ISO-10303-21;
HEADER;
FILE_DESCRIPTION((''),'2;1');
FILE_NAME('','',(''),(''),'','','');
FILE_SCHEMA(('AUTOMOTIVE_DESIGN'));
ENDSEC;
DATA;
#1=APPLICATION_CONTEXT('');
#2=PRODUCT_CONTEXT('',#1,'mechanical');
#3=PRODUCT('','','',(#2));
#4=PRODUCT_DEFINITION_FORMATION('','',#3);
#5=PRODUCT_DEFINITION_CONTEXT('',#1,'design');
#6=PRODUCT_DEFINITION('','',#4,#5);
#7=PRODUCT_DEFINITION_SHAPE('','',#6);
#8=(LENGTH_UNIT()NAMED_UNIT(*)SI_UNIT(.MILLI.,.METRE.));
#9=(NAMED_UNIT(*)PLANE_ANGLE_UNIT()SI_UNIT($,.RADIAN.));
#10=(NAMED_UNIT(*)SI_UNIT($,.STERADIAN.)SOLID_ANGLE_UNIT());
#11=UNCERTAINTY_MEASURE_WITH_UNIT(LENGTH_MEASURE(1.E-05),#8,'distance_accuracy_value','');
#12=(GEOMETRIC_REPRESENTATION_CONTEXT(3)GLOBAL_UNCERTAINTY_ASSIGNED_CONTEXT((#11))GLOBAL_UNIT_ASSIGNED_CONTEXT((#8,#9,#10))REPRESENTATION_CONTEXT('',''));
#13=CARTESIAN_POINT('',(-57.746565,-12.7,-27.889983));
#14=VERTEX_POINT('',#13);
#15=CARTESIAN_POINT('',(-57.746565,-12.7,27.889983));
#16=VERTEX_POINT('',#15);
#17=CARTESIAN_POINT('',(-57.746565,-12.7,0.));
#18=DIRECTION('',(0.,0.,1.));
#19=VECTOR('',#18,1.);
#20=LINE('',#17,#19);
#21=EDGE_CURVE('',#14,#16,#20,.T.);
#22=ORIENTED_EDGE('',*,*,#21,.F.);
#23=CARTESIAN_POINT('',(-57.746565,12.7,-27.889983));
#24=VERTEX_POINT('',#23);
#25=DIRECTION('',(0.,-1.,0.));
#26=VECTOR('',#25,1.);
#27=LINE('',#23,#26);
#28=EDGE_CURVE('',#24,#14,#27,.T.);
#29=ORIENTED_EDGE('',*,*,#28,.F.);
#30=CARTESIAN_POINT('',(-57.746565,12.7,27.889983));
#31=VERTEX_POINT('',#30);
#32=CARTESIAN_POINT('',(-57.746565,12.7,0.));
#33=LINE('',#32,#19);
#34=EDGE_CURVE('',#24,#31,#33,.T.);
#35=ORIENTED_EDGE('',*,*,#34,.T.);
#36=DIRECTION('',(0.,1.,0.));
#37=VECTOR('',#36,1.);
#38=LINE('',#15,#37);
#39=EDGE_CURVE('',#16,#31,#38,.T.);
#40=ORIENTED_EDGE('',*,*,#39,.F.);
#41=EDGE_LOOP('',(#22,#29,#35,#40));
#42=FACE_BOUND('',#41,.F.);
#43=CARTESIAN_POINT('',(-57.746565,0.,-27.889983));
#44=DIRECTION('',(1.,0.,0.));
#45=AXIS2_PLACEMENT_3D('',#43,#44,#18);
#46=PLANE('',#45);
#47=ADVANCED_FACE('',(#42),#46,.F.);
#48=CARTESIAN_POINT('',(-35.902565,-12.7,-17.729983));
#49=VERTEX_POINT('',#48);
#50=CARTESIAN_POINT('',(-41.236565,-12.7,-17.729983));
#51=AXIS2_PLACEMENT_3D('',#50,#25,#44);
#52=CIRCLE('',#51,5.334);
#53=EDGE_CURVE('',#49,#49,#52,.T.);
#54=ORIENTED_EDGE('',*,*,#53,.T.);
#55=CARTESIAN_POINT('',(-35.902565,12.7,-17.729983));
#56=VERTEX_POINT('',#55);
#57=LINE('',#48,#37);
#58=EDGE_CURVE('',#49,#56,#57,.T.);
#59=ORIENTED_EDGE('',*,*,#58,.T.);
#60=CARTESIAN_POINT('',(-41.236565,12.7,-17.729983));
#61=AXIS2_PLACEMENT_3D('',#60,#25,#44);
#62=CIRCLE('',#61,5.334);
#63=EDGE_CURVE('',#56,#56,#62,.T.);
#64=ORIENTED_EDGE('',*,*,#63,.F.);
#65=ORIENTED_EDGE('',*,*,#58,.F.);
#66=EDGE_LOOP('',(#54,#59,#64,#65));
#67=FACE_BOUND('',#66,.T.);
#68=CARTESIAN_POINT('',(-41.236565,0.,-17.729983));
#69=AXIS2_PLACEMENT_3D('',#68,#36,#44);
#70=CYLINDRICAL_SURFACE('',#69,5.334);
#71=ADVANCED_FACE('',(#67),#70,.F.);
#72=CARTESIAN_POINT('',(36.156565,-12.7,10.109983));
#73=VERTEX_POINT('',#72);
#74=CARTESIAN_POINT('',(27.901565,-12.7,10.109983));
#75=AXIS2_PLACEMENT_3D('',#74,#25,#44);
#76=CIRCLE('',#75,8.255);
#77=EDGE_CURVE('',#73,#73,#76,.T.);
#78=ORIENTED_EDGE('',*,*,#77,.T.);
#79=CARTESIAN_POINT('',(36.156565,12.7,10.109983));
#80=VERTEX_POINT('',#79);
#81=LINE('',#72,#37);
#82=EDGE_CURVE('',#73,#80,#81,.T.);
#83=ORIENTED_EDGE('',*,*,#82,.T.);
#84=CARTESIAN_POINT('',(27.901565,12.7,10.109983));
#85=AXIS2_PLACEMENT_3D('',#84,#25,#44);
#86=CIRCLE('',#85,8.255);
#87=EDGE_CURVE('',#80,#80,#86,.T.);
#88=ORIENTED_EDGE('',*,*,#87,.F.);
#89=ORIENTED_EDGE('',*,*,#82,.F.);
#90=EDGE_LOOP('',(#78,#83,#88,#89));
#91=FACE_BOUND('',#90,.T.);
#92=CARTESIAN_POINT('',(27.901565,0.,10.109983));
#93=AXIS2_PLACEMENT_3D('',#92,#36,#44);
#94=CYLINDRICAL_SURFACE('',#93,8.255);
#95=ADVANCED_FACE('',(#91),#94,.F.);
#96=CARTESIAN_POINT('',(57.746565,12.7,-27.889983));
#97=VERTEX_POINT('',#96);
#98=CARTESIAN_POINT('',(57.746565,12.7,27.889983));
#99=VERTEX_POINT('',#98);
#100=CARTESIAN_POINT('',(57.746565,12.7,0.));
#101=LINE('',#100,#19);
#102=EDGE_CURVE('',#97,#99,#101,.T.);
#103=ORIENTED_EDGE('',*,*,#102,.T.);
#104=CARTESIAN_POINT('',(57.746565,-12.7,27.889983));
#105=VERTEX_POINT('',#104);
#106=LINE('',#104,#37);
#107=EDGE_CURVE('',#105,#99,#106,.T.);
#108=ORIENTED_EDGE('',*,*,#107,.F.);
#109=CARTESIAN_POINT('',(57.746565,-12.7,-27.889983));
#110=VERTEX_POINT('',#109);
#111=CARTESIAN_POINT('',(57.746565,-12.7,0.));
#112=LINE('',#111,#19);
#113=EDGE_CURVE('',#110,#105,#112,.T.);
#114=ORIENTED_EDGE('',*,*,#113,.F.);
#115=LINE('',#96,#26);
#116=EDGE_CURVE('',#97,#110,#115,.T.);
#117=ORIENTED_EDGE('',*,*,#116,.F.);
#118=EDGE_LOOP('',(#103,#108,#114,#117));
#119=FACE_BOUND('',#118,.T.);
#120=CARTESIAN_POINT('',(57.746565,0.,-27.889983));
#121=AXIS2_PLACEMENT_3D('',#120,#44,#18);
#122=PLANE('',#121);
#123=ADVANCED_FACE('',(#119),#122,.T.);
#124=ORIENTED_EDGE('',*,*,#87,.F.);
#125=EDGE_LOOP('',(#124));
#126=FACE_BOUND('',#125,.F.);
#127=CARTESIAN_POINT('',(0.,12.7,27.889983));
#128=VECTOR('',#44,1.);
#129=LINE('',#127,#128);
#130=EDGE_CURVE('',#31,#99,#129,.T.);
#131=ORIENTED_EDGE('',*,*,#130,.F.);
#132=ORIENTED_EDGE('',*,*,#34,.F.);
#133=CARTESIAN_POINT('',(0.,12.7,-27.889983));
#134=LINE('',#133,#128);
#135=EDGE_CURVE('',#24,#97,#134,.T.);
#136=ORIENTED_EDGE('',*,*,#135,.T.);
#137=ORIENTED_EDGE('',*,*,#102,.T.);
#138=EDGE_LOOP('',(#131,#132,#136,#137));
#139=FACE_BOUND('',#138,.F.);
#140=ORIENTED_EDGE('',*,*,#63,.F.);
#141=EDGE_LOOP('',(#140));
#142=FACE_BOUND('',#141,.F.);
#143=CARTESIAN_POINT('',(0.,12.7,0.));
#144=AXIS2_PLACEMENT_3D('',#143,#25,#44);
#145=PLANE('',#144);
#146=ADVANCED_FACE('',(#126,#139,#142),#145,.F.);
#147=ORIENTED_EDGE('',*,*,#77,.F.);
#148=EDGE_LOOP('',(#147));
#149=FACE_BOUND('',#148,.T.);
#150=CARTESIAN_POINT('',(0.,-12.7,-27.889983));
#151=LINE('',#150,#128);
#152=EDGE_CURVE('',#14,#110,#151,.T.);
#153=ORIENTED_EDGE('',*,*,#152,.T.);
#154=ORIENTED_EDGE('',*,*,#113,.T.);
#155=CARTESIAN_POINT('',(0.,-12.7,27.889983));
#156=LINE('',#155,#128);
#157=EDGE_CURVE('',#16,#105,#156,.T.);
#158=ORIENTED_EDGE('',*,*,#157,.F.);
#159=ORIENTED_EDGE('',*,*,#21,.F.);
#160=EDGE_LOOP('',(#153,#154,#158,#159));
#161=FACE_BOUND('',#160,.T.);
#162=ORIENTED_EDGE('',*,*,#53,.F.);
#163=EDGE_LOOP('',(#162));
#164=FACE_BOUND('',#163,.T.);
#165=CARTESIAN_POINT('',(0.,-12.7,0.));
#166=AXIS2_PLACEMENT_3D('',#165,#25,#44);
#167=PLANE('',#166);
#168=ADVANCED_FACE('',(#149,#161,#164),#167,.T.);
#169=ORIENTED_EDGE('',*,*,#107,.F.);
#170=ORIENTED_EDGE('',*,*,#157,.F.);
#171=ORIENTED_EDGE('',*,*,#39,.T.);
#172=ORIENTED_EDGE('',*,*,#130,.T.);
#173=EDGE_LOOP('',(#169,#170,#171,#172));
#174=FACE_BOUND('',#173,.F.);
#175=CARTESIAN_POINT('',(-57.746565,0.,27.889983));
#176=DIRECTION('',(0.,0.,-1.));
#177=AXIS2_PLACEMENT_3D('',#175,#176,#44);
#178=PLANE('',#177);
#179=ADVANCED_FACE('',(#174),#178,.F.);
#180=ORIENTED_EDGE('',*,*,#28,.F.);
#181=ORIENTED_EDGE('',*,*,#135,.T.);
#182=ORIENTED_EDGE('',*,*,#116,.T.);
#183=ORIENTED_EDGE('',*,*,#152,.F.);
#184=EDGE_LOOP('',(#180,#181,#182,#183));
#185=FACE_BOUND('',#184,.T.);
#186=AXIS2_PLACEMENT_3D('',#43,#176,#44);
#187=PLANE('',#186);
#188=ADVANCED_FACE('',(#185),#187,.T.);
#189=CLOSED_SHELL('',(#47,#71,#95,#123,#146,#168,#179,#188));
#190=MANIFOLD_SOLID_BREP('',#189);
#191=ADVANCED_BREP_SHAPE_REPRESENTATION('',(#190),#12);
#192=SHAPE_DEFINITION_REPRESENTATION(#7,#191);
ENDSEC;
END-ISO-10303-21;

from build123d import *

# Parameters (mm, degrees)
F0_W     = 115.49313
F0_H     = 55.779966
F0_R     = 5.334
F0_R_2   = 8.255
F1_DEPTH = 12.7


with BuildPart() as f1:
    # F0 (on Front) → F1 (new body, symmetric)
    with BuildSketch(Plane.XZ):
        Rectangle(F0_W, F0_H)
        with Locations((-41.236565, -17.729983)):
            Circle(F0_R, mode=Mode.SUBTRACT)
        with Locations((27.901565, 10.109983)):
            Circle(F0_R_2, mode=Mode.SUBTRACT)
    extrude(amount=F1_DEPTH, both=True)


solid = f1.part
